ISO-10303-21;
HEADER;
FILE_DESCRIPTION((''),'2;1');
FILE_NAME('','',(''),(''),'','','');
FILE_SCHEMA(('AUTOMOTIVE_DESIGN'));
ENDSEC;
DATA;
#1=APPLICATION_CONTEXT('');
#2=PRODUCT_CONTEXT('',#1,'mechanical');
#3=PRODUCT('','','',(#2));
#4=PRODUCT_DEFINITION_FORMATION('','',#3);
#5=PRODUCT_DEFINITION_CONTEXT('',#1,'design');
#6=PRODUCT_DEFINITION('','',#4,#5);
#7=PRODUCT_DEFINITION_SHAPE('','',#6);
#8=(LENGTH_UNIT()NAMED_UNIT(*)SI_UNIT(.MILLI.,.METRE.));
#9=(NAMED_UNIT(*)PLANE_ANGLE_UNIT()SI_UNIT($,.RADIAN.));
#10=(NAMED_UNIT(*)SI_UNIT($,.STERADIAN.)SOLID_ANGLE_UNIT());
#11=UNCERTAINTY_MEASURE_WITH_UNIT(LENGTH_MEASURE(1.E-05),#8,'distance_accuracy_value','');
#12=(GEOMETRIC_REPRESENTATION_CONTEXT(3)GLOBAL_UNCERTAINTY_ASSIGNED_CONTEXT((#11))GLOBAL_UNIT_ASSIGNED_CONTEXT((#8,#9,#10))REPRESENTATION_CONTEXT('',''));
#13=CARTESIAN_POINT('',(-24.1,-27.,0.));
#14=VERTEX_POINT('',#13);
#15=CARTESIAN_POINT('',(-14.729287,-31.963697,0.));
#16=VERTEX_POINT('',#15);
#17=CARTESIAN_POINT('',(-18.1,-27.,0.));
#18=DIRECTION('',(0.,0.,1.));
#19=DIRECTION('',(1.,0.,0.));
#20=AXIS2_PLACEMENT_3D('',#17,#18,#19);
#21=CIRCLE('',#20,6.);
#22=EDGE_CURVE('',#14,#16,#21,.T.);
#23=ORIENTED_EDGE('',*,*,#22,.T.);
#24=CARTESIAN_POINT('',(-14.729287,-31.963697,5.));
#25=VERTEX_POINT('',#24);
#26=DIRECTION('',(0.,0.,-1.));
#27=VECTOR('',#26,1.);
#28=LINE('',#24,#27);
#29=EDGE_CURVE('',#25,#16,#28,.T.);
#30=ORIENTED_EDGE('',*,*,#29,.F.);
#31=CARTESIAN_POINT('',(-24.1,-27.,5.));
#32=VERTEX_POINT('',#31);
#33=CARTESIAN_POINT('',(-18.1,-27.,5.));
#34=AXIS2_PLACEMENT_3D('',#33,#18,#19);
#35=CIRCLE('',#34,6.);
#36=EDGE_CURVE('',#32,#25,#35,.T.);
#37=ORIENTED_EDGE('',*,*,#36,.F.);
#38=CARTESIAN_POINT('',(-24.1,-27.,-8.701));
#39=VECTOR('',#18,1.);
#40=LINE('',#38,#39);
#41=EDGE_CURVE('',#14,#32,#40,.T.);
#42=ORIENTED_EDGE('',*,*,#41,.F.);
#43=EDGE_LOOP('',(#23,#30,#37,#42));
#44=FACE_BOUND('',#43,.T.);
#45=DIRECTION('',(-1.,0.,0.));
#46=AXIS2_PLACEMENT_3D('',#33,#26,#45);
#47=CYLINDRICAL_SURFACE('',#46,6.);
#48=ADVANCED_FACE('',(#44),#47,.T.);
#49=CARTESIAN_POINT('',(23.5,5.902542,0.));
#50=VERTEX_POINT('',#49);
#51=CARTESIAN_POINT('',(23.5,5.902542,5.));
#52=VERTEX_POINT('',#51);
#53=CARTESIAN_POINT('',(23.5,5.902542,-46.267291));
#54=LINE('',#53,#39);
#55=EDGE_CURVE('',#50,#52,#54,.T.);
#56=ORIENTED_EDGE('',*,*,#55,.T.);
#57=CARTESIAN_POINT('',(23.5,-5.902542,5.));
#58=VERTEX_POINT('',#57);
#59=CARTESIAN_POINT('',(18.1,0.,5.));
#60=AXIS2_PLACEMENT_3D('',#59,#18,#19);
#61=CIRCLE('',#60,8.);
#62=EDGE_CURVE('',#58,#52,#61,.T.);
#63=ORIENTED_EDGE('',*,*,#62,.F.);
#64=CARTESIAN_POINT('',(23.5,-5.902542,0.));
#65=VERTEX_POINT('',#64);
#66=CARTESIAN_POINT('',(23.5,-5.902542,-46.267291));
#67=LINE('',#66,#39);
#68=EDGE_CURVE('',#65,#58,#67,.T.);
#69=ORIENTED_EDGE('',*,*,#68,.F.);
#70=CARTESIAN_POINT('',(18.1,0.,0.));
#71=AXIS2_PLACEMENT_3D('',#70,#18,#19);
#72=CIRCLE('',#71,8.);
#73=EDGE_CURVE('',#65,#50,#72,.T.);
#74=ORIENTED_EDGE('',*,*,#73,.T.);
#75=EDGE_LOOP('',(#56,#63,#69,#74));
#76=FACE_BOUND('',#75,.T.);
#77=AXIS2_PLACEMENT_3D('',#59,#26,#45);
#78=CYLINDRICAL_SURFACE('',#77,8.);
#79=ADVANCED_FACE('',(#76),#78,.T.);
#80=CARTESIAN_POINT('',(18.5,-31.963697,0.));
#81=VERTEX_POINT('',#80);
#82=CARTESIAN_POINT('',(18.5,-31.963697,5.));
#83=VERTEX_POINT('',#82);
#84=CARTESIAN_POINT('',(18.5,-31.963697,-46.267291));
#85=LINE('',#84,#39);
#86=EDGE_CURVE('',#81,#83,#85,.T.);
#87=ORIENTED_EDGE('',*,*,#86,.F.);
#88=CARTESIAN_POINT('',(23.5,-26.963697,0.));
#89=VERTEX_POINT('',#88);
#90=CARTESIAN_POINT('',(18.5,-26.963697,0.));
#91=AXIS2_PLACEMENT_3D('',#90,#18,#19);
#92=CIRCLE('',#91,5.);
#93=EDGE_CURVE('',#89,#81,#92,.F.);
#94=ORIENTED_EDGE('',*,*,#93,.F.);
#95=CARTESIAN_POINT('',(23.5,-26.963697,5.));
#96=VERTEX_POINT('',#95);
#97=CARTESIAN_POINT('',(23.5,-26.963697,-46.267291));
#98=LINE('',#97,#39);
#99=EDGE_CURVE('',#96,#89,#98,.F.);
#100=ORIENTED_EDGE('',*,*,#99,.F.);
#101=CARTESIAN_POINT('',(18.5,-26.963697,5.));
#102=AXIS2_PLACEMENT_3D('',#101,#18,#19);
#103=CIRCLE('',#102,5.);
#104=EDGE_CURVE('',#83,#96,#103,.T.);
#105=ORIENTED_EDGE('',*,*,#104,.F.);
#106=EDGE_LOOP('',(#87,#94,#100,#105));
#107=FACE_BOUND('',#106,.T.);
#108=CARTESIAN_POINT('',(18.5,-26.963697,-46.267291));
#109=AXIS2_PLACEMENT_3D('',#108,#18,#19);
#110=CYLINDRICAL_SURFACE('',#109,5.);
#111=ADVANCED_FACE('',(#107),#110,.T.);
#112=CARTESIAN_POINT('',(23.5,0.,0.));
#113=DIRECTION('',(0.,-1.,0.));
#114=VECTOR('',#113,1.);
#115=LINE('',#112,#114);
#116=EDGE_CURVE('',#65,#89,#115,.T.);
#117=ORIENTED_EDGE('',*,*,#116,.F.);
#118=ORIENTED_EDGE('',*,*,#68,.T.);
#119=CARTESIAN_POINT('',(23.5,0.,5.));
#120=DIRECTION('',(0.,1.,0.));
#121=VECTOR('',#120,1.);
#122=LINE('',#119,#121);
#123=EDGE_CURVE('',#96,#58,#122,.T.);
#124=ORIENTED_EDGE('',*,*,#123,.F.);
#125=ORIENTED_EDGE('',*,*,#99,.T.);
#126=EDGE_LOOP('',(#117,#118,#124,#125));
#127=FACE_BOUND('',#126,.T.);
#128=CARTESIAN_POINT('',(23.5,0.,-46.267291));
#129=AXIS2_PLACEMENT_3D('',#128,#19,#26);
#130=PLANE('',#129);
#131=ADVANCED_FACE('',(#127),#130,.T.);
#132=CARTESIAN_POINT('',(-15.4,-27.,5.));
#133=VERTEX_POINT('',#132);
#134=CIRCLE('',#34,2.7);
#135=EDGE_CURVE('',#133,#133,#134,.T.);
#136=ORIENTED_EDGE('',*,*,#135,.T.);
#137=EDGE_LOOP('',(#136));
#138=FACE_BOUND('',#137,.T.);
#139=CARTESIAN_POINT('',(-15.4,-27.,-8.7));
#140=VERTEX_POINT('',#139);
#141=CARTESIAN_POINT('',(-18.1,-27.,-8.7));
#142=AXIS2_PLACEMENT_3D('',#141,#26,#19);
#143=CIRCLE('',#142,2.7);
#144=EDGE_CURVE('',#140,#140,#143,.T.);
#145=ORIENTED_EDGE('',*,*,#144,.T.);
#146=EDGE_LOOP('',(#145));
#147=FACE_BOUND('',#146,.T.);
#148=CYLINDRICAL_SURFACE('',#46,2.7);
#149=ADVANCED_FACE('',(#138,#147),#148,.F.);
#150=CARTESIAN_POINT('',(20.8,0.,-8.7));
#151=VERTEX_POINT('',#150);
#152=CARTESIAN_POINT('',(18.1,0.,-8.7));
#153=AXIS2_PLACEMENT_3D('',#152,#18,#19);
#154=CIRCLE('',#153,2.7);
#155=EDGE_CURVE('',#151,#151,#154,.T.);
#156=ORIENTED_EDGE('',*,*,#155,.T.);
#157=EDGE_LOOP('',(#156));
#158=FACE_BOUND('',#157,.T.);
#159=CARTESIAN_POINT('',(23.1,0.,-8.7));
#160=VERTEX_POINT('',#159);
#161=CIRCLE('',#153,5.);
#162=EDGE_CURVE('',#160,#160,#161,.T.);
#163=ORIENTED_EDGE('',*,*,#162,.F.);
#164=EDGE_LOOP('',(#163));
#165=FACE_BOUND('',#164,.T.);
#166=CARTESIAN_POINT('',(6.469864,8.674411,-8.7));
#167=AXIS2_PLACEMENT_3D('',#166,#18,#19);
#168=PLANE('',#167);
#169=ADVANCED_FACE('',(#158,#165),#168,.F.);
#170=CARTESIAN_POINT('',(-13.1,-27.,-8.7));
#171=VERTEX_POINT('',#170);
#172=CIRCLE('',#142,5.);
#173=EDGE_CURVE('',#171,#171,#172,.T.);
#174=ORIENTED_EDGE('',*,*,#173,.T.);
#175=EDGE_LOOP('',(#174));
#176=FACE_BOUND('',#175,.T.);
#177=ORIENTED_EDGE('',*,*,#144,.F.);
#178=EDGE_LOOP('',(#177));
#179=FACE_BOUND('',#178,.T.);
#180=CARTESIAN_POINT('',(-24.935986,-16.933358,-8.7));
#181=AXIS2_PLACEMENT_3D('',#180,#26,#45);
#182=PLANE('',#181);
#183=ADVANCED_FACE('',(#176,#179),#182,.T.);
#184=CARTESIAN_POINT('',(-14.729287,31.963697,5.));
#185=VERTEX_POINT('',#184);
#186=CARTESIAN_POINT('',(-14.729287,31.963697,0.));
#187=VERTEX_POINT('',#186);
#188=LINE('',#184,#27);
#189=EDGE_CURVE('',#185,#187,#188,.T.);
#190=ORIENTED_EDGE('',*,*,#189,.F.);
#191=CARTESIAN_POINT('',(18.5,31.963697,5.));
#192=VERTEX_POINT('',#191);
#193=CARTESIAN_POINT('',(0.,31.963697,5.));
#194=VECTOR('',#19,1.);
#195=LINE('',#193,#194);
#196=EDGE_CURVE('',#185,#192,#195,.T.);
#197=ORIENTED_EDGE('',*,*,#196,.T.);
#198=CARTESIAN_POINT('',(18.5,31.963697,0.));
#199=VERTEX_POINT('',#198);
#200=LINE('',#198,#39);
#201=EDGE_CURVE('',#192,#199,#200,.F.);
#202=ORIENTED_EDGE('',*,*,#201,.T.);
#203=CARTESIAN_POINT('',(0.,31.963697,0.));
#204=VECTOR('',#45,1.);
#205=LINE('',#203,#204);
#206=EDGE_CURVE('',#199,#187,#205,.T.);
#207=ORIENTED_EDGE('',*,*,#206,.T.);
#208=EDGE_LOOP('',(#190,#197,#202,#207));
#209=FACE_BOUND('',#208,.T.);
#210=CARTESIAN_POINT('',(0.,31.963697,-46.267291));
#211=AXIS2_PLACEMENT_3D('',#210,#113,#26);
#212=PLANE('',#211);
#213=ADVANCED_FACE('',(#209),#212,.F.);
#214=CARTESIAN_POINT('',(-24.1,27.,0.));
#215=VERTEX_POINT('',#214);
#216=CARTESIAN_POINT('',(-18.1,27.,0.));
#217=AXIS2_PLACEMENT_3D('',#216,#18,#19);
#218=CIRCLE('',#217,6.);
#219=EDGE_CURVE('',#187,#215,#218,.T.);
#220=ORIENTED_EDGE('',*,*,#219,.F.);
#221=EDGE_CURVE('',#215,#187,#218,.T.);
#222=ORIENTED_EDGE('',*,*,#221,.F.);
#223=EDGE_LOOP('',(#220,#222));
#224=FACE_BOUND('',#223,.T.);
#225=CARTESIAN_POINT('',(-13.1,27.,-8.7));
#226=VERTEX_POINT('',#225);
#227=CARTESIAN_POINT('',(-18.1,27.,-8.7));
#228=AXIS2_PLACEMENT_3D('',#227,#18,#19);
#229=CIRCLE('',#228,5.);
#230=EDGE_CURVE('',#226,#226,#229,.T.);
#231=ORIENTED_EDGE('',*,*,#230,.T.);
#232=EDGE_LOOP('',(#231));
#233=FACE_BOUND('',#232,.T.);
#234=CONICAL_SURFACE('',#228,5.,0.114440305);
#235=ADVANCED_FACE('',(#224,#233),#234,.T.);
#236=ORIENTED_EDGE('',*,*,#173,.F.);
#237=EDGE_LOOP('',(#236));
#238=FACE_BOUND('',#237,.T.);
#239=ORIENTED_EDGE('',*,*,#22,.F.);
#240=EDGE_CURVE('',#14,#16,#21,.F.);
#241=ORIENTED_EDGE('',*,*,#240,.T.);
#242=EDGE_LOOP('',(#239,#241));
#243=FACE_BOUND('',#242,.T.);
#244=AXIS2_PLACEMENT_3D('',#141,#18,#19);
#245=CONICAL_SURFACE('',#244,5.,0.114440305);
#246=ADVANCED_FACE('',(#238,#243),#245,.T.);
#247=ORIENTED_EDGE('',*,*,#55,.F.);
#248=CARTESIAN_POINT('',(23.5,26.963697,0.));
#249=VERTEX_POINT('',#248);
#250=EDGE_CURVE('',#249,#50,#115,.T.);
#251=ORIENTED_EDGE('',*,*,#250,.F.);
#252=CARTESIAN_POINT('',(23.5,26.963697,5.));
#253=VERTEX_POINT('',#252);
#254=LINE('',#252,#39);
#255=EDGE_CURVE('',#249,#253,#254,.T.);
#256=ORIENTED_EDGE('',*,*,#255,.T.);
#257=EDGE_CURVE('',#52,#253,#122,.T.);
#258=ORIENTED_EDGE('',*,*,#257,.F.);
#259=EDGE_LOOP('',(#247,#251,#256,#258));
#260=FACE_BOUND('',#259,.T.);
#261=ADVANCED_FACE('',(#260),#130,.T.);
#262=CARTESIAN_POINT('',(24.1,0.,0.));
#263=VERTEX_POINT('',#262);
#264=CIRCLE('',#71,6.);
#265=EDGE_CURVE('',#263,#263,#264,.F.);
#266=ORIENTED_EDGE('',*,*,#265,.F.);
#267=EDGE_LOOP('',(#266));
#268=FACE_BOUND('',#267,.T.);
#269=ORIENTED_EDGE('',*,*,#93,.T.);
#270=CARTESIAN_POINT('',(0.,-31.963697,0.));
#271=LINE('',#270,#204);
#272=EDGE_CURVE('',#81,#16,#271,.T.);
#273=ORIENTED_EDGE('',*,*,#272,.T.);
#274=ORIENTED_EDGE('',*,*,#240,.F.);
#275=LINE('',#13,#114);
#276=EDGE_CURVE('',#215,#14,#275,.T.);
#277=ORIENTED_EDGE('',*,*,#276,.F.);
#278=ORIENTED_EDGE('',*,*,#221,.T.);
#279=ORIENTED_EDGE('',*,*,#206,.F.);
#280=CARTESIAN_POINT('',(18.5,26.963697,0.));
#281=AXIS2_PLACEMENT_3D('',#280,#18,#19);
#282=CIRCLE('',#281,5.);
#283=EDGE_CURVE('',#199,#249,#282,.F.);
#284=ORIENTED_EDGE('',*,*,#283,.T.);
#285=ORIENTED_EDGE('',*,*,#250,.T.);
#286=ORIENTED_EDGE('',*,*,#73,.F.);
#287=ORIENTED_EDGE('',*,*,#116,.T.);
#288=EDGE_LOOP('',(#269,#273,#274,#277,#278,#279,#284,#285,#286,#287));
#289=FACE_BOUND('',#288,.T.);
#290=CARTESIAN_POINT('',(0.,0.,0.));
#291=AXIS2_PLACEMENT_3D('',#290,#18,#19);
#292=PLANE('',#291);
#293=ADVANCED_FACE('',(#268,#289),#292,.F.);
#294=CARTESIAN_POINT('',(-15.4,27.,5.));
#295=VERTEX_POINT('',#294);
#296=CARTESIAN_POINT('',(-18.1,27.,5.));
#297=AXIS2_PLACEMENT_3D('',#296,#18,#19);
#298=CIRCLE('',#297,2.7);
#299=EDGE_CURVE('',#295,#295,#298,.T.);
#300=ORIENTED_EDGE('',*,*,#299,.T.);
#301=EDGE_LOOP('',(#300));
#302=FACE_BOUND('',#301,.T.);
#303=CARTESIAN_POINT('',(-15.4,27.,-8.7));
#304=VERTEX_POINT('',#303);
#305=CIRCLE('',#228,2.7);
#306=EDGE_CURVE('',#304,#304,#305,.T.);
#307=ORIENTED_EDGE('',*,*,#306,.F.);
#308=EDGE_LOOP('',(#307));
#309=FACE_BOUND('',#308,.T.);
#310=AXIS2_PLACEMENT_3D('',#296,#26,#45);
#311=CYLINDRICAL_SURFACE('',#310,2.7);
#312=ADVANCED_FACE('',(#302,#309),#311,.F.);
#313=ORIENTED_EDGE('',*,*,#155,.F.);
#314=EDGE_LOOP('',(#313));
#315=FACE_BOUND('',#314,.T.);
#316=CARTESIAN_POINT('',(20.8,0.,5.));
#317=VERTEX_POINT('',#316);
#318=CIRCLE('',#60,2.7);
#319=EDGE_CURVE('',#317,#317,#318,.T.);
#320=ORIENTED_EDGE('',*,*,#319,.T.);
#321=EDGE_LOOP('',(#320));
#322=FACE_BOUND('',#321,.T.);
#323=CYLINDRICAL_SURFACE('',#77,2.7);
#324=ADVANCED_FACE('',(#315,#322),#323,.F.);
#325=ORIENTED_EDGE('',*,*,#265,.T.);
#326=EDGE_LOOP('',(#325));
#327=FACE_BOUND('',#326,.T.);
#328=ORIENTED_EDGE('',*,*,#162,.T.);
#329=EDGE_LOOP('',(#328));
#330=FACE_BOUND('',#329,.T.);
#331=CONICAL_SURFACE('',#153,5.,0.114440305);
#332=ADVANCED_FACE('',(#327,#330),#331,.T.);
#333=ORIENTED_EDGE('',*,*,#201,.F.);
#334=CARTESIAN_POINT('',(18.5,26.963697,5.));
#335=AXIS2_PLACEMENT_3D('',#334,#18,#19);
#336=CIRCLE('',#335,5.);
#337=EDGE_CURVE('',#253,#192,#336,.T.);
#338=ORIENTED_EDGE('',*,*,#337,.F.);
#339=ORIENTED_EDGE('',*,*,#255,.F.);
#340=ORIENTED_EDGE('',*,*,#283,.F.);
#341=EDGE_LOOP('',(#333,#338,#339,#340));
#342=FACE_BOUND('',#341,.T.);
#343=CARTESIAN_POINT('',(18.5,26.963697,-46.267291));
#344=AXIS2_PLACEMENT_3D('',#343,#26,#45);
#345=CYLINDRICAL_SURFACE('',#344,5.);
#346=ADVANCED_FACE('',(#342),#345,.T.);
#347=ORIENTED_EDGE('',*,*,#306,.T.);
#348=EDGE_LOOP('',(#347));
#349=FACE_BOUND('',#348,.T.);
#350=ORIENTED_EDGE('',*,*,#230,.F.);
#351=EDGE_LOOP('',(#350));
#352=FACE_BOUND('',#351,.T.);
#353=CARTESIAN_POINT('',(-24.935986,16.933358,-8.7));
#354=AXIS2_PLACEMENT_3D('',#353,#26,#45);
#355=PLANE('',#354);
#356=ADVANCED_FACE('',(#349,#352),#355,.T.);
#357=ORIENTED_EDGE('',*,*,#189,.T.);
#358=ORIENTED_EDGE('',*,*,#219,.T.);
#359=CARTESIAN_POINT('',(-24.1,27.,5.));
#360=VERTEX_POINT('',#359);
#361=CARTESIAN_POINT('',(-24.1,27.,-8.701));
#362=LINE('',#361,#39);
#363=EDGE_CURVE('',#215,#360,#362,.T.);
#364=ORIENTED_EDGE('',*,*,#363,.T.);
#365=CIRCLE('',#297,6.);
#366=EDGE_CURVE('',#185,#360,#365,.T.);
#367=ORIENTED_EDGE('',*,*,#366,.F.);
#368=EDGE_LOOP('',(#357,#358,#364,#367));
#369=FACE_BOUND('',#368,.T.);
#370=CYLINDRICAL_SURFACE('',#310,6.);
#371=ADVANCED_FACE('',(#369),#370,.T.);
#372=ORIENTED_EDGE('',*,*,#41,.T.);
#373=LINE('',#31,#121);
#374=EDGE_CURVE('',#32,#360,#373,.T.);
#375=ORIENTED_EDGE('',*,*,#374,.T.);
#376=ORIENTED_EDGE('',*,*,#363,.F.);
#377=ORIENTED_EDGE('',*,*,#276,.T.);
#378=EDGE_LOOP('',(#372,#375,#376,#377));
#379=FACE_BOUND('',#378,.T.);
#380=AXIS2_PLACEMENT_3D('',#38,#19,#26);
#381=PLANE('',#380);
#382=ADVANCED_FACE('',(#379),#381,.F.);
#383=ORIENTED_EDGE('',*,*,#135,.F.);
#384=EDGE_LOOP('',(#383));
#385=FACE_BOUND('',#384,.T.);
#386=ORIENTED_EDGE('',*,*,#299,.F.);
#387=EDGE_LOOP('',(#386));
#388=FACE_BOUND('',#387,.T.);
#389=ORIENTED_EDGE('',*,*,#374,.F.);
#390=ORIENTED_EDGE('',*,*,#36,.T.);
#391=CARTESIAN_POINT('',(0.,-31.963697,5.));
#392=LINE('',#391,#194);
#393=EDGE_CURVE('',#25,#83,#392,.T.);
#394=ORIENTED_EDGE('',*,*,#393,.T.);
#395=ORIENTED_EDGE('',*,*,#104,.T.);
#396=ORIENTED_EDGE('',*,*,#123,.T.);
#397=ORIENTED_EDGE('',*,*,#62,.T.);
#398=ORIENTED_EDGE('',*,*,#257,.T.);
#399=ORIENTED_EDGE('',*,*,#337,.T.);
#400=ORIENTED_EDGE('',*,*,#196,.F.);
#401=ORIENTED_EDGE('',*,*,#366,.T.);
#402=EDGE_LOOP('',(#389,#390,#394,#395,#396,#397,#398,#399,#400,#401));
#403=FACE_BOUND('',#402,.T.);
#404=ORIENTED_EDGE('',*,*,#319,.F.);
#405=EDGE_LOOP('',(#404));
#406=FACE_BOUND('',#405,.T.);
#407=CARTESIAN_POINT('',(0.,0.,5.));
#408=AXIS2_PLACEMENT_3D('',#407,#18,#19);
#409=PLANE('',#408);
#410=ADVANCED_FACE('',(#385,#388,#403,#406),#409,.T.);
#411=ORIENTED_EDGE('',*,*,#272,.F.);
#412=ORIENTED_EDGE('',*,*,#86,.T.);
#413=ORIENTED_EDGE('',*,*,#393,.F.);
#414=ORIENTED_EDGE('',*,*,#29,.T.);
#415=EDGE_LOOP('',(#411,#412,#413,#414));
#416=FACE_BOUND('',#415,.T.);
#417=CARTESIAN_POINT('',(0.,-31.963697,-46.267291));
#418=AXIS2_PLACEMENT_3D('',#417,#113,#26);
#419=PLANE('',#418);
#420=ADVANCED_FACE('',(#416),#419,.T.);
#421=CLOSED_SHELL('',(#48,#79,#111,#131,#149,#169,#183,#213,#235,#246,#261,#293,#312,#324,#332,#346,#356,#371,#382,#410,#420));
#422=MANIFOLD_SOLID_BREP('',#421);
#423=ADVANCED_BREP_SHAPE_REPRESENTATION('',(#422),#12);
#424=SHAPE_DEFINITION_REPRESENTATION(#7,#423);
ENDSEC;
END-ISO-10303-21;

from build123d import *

# Parameters (mm, degrees)
SKETCH_1_R          = 2.2
SKETCH_1_R_2        = 2.7
EXTRUDE_1_DEPTH     = 5
CUT_EXTRUDE_1_REACH = 59.46
EXTRUDE_START       = -5
SKETCH_6_R          = 2.7
EXTRUDE_3_DEPTH     = 5
FILLET_1_R          = 5


with BuildPart() as part:
    # 草图1 → 凸台-拉伸1 (new body)
    with BuildSketch(Plane.XY):
        with BuildLine():
            Line((-21.928513003, 31.619793089), (-45, 12.5))
            Line((-45, 12.5), (-45, -12.5))
            Line((-45, -12.5), (-21.928513003, -31.619793089))
            ThreePointArc((-21.928513003, -31.619793089), (-18.386291168, -32.993165888), (-14.729286549, -31.963697294))
            Line((-14.729286549, -31.963697294), (22.594284602, -6.618263059))
            ThreePointArc((22.594284602, -6.618263059), (26.1, 0), (22.594284602, 6.618263059))
            Line((22.594284602, 6.618263059), (-14.729286549, 31.963697294))
            ThreePointArc((-14.729286549, 31.963697294), (-18.386291168, 32.993165888), (-21.928513003, 31.619793089))
        make_face()
        with Locations((-34.1, 0)):
            Circle(SKETCH_1_R, mode=Mode.SUBTRACT)
        with Locations((-18.1, 27)):
            Circle(SKETCH_1_R_2, mode=Mode.SUBTRACT)
        with Locations((-18.1, -27)):
            Circle(SKETCH_1_R_2, mode=Mode.SUBTRACT)
        with Locations((18.1, 0)):
            Circle(SKETCH_1_R_2, mode=Mode.SUBTRACT)
    extrude(amount=EXTRUDE_1_DEPTH)

    # 草图4 → 旋转1 (revolve)
    with BuildSketch(Plane(origin=(-24.93598604, 16.933358057, 0), x_dir=(0, 0, -1), z_dir=(0.8272828823621655, -0.5617855752425007, 0)), mode=Mode.PRIVATE) as revolve_1_sk:
        Polygon((8.7, 17.168318912), (8.7, 14.868318912), (0, 14.868318912), (0, 18.168318912), align=None)
    revolve_1 = revolve(revolve_1_sk.sketch.rotate(Axis((-18.1, 27, 1000.278995542), (0, 0, -1)), 55.820627671), axis=Axis((-18.1, 27, 1000.278995542), (0, 0, -1)))

    # 镜向1: 旋转1 across plane
    add(revolve_1.mirror(Plane.ZX))

    # 草图5 → 切除-拉伸1 (cut, up to next)
    with BuildSketch(Plane.XY.offset(5), mode=Mode.PRIVATE) as cut_extrude_1_sk1:
        with BuildLine():
            Line((-24.1, -27), (-24.1, 27))
            ThreePointArc((-24.1, 27), (-23.53005884, 29.552344215), (-21.928513003, 31.619793089))
            Line((-21.928513003, 31.619793089), (-45, 12.5))
            Line((-45, 12.5), (-45, -12.5))
            Line((-45, -12.5), (-21.928513003, -31.619793089))
            ThreePointArc((-21.928513003, -31.619793089), (-23.53005884, -29.552344215), (-24.1, -27))
        make_face()
    cut_extrude_1_tool1 = extrude(cut_extrude_1_sk1.sketch, amount=-CUT_EXTRUDE_1_REACH, mode=Mode.PRIVATE) & part.part
    add(cut_extrude_1_tool1.solids().sort_by_distance((-33.100815, 0, 5))[0], mode=Mode.SUBTRACT)

    # 草图6 → 凸台-拉伸3 (add)
    with BuildSketch(Plane.XY.offset(5).offset(EXTRUDE_START)):
        Polygon((12.5, -13.473020485), (-14.729286549, -31.963697294), (23.5, -31.963697294), (23.5, 31.963697294), (-14.729286549, 31.963697294), (12.5, 13.473020485), align=None)
        with Locations((18.1, 0)):
            Circle(SKETCH_6_R, mode=Mode.SUBTRACT)
    extrude(amount=EXTRUDE_3_DEPTH)

    # 草图7 → 旋转2 (revolve)
    with BuildSketch(Plane(origin=(6.469864276, 8.674410623, 0), x_dir=(0.8015915013283047, -0.5978721142503927, 0), z_dir=(0.5978721142503927, 0.8015915013283047, 0)), mode=Mode.PRIVATE) as revolve_2_sk:
        Polygon((11.808806174, 8.7), (11.808806174, 0), (8.508806174, 0), (9.508806174, 8.7), align=None)
    revolve(revolve_2_sk.sketch.rotate(Axis((18.1, 0, 1), (0, 0, -1)), 143.282349417), axis=Axis((18.1, 0, 1), (0, 0, -1)))

    # 圆角1
    fillet_1_edges = [part.edges().sort_by_distance(p)[0] for p in [
        (23.5, 31.963697294, 2.5),
        (23.5, -31.963697294, 2.5),
    ]]
    fillet(fillet_1_edges, radius=FILLET_1_R)


solid = part.part
